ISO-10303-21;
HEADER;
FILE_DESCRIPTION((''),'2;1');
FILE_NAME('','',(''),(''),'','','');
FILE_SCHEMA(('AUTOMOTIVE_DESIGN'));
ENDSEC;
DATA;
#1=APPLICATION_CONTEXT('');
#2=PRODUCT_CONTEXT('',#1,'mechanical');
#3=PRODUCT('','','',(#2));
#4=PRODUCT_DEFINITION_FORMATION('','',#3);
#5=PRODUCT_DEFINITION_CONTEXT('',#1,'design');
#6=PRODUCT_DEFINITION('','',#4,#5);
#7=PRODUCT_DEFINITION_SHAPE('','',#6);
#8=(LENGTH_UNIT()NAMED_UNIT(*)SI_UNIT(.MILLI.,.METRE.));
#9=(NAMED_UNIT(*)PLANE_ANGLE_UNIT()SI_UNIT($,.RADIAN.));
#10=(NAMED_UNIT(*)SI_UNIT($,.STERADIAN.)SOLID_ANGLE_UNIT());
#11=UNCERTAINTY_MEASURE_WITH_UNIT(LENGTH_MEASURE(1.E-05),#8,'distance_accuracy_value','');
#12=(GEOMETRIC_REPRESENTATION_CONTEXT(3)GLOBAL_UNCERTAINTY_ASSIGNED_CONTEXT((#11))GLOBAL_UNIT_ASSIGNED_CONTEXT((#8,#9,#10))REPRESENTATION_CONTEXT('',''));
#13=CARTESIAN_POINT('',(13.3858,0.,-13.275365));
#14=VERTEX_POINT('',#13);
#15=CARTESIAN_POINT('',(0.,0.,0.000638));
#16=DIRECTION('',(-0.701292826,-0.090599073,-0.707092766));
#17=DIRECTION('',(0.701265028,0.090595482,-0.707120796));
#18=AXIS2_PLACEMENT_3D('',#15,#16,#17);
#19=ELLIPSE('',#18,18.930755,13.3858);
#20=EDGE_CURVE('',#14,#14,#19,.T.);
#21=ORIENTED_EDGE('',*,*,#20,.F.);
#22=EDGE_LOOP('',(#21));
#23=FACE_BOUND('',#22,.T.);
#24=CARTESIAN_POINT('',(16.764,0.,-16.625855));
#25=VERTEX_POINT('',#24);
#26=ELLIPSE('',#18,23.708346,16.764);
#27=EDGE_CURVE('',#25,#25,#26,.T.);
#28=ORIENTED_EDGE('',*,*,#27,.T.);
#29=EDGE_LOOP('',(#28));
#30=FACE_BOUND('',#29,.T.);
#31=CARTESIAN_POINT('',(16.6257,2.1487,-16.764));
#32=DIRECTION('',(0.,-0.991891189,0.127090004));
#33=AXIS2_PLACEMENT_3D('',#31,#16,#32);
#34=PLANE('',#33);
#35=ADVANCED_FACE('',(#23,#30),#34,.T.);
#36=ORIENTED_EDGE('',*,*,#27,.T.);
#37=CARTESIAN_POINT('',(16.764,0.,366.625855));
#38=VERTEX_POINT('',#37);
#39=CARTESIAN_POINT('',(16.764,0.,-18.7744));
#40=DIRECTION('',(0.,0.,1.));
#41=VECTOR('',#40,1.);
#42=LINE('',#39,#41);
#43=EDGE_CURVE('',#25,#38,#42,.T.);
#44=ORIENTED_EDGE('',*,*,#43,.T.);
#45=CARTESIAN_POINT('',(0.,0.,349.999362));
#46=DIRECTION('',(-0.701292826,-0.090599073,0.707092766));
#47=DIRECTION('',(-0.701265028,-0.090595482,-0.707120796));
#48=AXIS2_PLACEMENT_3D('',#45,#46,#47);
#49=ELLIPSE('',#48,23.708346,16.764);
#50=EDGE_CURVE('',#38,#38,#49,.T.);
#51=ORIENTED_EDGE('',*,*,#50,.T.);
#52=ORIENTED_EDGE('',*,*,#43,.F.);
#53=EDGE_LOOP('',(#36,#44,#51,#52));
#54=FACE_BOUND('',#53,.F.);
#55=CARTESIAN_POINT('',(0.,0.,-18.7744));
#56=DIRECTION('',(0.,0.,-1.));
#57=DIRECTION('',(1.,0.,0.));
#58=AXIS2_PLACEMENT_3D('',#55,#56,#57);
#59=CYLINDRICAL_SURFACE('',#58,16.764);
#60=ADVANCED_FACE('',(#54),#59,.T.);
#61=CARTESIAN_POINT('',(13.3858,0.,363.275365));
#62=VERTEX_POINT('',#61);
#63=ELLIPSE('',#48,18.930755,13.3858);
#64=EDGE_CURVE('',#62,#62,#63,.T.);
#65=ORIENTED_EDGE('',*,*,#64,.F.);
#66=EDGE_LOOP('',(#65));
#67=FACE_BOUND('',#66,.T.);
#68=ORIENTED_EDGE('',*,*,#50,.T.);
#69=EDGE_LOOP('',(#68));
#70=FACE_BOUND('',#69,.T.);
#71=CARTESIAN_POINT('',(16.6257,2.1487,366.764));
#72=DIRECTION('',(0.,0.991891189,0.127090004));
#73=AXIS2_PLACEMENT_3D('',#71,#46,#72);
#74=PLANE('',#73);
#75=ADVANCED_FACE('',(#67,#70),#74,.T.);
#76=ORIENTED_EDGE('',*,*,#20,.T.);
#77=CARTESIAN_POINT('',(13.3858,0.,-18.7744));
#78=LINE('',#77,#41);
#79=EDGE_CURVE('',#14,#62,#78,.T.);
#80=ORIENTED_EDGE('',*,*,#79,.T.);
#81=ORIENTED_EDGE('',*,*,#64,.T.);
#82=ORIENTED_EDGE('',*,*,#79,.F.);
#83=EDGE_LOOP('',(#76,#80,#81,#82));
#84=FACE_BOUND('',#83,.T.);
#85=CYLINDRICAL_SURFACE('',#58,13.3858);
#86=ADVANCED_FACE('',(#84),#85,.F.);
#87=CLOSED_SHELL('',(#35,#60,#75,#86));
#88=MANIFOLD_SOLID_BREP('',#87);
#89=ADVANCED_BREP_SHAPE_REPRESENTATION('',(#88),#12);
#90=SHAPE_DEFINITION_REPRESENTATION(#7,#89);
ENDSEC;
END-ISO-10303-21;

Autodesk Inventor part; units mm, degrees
ref_plane "Start plane" through (0, 0, -18.7744) normal (0, 0, 1) x (1, 0, 0)
ref_plane "End plane" through (0, 0, 368.7744) normal (0, 0, 1) x (1, 0, 0)
sketch "Sketch" plane through (0, 0, 0) normal (0, 0, 1) x (1, 0, 0)
  circle A0 centre (0, 0) radius 13.3858
  circle A1 centre (0, 0) radius 16.764
  dimension "d0" = 33.528
  dimension "d1" = 3.3782
extrude "Body" add sketch "Sketch" along normal up to surface (387.5489 mm away) from surface at -18.7744
sketch "Sketch3" plane through (0, 0, 0) normal (0, 0, 1) x (1, 0, 0)
  line L0 (0, 0) -> (10, 0)
ref_plane "Work Plane3" through (0, 0, 0) normal (0, -1, 0) x (1, 0, 0)
ref_plane "Work Plane4" through (16.6257, 2.1487, -16.764) normal (-0.7013, -0.0906, -0.7071) x (-0.6791, -0.217, 0.7013)
split "Split1" plane through (16.6257, 2.1487, -16.764) removes the side toward (-0.7013, -0.0906, -0.7071)
ref_plane "Work Plane5" through (16.6257, 2.1487, 366.764) normal (-0.7013, -0.0906, 0.7071) x (0.7119, -0.0372, 0.7013)
split "Split2" plane through (16.6257, 2.1487, 366.764) removes the side toward (-0.7013, -0.0906, 0.7071)
sketch "Sketch4" plane through (0, 0, 0) normal (0, -1, 0) x (1, 0, 0)
  line L0 (-2, -18.7744) -> (12, -18.7744) projected
  line L1 (-2, 368.7744) -> (12, 368.7744) projected
  dimension "d7" = 387.5489
equation "\"d0\" = G_H"
equation "\"d1\" = G_T"
equation "\"d2\" = G_L"
equation "\"G_H\" = 33.528"
equation "\"G_T\" = 3.3782"
equation "\"G_L\" = 383.528"
equation "\"G_OFFSET_START\" = 18.77444"
equation "\"G_OFFSET_END\" = 18.77444"
equation "\"d4\" = -G_OFFSET_START"
equation "\"d5\" = G_OFFSET_END + B_L"
equation "\"B_L\" = 350"
properties part number "ANSI - 1 x 0.133 - 15.1" material "Steel, Mild"
